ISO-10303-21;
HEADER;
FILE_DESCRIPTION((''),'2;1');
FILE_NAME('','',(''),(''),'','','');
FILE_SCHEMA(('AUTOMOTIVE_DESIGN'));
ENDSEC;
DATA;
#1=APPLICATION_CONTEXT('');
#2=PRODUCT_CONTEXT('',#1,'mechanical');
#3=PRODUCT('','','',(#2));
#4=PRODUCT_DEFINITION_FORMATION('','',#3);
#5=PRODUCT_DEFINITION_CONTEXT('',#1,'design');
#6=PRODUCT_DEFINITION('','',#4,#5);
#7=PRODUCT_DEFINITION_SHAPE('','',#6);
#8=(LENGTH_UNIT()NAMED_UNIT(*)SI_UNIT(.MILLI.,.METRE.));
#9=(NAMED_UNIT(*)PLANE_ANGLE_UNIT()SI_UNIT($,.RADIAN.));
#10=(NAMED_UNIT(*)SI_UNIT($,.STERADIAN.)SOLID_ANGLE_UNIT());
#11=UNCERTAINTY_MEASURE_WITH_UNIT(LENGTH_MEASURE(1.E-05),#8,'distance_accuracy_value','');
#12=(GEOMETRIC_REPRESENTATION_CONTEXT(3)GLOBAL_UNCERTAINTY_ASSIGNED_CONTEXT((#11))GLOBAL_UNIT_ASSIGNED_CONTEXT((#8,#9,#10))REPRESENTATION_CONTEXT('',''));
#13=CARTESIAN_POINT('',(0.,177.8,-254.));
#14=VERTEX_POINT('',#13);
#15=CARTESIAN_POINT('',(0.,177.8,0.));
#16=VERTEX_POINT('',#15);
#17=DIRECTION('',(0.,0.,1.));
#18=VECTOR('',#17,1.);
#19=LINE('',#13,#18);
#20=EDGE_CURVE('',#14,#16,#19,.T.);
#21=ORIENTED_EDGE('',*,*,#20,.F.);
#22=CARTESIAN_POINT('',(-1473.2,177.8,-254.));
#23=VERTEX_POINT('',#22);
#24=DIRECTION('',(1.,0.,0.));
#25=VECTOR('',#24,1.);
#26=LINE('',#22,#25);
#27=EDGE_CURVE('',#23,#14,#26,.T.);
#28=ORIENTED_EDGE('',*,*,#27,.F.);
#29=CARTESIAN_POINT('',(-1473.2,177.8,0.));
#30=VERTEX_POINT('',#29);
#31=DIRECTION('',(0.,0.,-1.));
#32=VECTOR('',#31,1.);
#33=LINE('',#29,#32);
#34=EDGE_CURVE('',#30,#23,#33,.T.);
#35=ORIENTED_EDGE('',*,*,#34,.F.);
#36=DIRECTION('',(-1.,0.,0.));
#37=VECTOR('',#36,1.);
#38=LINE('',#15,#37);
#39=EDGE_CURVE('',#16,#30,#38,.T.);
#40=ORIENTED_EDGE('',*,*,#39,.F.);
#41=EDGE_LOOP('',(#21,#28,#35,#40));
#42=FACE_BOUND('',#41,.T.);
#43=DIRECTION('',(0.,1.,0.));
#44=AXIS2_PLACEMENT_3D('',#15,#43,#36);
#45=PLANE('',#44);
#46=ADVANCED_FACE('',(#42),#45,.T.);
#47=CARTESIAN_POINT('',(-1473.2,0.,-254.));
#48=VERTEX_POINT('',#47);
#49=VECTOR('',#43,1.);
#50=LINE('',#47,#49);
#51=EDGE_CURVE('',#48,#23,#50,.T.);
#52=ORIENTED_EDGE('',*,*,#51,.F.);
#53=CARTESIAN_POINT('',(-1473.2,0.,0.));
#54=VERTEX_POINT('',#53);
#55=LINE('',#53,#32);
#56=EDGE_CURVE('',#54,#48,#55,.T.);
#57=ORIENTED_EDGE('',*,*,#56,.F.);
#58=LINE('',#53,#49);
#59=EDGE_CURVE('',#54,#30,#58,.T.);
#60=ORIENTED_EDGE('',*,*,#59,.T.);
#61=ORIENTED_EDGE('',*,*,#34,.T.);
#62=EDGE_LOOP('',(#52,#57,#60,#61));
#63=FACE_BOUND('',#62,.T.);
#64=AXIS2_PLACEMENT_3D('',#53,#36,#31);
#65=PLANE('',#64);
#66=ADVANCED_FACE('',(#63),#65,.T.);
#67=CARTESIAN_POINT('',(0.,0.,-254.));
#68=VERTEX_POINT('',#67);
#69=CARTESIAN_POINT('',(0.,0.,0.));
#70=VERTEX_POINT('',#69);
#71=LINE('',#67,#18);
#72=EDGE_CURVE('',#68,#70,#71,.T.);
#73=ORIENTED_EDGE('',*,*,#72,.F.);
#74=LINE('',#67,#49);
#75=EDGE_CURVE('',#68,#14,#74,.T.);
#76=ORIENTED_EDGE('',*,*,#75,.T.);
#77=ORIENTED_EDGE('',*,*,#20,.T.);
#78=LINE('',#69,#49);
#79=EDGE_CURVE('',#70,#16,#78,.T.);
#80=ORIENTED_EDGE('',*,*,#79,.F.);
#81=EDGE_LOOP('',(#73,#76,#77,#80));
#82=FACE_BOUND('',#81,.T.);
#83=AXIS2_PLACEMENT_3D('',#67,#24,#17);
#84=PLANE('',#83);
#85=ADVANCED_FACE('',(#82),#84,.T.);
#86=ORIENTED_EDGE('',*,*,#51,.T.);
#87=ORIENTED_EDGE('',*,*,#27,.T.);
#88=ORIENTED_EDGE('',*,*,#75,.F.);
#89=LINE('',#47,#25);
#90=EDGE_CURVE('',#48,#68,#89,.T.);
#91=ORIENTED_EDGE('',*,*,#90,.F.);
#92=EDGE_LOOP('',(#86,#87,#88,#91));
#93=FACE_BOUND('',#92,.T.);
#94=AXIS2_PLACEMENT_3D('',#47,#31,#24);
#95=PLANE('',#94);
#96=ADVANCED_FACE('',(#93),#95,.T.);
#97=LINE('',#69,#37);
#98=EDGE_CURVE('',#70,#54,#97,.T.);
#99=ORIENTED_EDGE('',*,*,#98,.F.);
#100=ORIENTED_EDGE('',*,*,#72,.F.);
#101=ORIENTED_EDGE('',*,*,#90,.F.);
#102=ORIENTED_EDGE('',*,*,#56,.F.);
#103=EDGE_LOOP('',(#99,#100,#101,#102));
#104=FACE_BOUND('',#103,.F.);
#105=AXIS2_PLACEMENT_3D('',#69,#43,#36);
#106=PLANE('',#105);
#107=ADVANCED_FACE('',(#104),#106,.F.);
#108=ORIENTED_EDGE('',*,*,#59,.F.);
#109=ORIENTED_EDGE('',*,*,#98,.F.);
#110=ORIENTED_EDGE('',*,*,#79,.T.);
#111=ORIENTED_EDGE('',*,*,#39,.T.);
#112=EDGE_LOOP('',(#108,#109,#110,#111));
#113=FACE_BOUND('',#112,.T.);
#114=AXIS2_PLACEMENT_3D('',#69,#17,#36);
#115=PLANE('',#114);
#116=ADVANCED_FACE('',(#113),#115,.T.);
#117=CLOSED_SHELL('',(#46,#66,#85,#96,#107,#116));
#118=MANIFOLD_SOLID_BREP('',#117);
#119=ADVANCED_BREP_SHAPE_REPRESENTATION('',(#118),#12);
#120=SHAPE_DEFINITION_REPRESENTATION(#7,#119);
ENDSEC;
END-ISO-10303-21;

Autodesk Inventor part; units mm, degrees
ref_plane "YZ Plane" through (0, 0, 0) normal (1, 0, 0) x (0, 1, 0)
ref_plane "XZ Plane" through (0, 0, 0) normal (0, 1, 0) x (-1, 0, 0)
ref_plane "XY Plane" through (0, 0, 0) normal (0, 0, 1) x (1, 0, 0)
sketch "Sketch1" plane through (0, 0, 0) normal (0, 1, 0) x (-1, 0, 0)
  line L0 (0, 0) -> (1473.2, 0)
  line L1 (1473.2, 0) -> (1473.2, -254)
  line L2 (1473.2, -254) -> (0, -254)
  line L3 (0, -254) -> (0, 0)
  dimension "d0" = 1473.2
  dimension "d1" = 254
extrude "Extrusion1" add sketch "Sketch1" along normal blind 177.8
properties part number "Solor Cleaner - Water Colector"
